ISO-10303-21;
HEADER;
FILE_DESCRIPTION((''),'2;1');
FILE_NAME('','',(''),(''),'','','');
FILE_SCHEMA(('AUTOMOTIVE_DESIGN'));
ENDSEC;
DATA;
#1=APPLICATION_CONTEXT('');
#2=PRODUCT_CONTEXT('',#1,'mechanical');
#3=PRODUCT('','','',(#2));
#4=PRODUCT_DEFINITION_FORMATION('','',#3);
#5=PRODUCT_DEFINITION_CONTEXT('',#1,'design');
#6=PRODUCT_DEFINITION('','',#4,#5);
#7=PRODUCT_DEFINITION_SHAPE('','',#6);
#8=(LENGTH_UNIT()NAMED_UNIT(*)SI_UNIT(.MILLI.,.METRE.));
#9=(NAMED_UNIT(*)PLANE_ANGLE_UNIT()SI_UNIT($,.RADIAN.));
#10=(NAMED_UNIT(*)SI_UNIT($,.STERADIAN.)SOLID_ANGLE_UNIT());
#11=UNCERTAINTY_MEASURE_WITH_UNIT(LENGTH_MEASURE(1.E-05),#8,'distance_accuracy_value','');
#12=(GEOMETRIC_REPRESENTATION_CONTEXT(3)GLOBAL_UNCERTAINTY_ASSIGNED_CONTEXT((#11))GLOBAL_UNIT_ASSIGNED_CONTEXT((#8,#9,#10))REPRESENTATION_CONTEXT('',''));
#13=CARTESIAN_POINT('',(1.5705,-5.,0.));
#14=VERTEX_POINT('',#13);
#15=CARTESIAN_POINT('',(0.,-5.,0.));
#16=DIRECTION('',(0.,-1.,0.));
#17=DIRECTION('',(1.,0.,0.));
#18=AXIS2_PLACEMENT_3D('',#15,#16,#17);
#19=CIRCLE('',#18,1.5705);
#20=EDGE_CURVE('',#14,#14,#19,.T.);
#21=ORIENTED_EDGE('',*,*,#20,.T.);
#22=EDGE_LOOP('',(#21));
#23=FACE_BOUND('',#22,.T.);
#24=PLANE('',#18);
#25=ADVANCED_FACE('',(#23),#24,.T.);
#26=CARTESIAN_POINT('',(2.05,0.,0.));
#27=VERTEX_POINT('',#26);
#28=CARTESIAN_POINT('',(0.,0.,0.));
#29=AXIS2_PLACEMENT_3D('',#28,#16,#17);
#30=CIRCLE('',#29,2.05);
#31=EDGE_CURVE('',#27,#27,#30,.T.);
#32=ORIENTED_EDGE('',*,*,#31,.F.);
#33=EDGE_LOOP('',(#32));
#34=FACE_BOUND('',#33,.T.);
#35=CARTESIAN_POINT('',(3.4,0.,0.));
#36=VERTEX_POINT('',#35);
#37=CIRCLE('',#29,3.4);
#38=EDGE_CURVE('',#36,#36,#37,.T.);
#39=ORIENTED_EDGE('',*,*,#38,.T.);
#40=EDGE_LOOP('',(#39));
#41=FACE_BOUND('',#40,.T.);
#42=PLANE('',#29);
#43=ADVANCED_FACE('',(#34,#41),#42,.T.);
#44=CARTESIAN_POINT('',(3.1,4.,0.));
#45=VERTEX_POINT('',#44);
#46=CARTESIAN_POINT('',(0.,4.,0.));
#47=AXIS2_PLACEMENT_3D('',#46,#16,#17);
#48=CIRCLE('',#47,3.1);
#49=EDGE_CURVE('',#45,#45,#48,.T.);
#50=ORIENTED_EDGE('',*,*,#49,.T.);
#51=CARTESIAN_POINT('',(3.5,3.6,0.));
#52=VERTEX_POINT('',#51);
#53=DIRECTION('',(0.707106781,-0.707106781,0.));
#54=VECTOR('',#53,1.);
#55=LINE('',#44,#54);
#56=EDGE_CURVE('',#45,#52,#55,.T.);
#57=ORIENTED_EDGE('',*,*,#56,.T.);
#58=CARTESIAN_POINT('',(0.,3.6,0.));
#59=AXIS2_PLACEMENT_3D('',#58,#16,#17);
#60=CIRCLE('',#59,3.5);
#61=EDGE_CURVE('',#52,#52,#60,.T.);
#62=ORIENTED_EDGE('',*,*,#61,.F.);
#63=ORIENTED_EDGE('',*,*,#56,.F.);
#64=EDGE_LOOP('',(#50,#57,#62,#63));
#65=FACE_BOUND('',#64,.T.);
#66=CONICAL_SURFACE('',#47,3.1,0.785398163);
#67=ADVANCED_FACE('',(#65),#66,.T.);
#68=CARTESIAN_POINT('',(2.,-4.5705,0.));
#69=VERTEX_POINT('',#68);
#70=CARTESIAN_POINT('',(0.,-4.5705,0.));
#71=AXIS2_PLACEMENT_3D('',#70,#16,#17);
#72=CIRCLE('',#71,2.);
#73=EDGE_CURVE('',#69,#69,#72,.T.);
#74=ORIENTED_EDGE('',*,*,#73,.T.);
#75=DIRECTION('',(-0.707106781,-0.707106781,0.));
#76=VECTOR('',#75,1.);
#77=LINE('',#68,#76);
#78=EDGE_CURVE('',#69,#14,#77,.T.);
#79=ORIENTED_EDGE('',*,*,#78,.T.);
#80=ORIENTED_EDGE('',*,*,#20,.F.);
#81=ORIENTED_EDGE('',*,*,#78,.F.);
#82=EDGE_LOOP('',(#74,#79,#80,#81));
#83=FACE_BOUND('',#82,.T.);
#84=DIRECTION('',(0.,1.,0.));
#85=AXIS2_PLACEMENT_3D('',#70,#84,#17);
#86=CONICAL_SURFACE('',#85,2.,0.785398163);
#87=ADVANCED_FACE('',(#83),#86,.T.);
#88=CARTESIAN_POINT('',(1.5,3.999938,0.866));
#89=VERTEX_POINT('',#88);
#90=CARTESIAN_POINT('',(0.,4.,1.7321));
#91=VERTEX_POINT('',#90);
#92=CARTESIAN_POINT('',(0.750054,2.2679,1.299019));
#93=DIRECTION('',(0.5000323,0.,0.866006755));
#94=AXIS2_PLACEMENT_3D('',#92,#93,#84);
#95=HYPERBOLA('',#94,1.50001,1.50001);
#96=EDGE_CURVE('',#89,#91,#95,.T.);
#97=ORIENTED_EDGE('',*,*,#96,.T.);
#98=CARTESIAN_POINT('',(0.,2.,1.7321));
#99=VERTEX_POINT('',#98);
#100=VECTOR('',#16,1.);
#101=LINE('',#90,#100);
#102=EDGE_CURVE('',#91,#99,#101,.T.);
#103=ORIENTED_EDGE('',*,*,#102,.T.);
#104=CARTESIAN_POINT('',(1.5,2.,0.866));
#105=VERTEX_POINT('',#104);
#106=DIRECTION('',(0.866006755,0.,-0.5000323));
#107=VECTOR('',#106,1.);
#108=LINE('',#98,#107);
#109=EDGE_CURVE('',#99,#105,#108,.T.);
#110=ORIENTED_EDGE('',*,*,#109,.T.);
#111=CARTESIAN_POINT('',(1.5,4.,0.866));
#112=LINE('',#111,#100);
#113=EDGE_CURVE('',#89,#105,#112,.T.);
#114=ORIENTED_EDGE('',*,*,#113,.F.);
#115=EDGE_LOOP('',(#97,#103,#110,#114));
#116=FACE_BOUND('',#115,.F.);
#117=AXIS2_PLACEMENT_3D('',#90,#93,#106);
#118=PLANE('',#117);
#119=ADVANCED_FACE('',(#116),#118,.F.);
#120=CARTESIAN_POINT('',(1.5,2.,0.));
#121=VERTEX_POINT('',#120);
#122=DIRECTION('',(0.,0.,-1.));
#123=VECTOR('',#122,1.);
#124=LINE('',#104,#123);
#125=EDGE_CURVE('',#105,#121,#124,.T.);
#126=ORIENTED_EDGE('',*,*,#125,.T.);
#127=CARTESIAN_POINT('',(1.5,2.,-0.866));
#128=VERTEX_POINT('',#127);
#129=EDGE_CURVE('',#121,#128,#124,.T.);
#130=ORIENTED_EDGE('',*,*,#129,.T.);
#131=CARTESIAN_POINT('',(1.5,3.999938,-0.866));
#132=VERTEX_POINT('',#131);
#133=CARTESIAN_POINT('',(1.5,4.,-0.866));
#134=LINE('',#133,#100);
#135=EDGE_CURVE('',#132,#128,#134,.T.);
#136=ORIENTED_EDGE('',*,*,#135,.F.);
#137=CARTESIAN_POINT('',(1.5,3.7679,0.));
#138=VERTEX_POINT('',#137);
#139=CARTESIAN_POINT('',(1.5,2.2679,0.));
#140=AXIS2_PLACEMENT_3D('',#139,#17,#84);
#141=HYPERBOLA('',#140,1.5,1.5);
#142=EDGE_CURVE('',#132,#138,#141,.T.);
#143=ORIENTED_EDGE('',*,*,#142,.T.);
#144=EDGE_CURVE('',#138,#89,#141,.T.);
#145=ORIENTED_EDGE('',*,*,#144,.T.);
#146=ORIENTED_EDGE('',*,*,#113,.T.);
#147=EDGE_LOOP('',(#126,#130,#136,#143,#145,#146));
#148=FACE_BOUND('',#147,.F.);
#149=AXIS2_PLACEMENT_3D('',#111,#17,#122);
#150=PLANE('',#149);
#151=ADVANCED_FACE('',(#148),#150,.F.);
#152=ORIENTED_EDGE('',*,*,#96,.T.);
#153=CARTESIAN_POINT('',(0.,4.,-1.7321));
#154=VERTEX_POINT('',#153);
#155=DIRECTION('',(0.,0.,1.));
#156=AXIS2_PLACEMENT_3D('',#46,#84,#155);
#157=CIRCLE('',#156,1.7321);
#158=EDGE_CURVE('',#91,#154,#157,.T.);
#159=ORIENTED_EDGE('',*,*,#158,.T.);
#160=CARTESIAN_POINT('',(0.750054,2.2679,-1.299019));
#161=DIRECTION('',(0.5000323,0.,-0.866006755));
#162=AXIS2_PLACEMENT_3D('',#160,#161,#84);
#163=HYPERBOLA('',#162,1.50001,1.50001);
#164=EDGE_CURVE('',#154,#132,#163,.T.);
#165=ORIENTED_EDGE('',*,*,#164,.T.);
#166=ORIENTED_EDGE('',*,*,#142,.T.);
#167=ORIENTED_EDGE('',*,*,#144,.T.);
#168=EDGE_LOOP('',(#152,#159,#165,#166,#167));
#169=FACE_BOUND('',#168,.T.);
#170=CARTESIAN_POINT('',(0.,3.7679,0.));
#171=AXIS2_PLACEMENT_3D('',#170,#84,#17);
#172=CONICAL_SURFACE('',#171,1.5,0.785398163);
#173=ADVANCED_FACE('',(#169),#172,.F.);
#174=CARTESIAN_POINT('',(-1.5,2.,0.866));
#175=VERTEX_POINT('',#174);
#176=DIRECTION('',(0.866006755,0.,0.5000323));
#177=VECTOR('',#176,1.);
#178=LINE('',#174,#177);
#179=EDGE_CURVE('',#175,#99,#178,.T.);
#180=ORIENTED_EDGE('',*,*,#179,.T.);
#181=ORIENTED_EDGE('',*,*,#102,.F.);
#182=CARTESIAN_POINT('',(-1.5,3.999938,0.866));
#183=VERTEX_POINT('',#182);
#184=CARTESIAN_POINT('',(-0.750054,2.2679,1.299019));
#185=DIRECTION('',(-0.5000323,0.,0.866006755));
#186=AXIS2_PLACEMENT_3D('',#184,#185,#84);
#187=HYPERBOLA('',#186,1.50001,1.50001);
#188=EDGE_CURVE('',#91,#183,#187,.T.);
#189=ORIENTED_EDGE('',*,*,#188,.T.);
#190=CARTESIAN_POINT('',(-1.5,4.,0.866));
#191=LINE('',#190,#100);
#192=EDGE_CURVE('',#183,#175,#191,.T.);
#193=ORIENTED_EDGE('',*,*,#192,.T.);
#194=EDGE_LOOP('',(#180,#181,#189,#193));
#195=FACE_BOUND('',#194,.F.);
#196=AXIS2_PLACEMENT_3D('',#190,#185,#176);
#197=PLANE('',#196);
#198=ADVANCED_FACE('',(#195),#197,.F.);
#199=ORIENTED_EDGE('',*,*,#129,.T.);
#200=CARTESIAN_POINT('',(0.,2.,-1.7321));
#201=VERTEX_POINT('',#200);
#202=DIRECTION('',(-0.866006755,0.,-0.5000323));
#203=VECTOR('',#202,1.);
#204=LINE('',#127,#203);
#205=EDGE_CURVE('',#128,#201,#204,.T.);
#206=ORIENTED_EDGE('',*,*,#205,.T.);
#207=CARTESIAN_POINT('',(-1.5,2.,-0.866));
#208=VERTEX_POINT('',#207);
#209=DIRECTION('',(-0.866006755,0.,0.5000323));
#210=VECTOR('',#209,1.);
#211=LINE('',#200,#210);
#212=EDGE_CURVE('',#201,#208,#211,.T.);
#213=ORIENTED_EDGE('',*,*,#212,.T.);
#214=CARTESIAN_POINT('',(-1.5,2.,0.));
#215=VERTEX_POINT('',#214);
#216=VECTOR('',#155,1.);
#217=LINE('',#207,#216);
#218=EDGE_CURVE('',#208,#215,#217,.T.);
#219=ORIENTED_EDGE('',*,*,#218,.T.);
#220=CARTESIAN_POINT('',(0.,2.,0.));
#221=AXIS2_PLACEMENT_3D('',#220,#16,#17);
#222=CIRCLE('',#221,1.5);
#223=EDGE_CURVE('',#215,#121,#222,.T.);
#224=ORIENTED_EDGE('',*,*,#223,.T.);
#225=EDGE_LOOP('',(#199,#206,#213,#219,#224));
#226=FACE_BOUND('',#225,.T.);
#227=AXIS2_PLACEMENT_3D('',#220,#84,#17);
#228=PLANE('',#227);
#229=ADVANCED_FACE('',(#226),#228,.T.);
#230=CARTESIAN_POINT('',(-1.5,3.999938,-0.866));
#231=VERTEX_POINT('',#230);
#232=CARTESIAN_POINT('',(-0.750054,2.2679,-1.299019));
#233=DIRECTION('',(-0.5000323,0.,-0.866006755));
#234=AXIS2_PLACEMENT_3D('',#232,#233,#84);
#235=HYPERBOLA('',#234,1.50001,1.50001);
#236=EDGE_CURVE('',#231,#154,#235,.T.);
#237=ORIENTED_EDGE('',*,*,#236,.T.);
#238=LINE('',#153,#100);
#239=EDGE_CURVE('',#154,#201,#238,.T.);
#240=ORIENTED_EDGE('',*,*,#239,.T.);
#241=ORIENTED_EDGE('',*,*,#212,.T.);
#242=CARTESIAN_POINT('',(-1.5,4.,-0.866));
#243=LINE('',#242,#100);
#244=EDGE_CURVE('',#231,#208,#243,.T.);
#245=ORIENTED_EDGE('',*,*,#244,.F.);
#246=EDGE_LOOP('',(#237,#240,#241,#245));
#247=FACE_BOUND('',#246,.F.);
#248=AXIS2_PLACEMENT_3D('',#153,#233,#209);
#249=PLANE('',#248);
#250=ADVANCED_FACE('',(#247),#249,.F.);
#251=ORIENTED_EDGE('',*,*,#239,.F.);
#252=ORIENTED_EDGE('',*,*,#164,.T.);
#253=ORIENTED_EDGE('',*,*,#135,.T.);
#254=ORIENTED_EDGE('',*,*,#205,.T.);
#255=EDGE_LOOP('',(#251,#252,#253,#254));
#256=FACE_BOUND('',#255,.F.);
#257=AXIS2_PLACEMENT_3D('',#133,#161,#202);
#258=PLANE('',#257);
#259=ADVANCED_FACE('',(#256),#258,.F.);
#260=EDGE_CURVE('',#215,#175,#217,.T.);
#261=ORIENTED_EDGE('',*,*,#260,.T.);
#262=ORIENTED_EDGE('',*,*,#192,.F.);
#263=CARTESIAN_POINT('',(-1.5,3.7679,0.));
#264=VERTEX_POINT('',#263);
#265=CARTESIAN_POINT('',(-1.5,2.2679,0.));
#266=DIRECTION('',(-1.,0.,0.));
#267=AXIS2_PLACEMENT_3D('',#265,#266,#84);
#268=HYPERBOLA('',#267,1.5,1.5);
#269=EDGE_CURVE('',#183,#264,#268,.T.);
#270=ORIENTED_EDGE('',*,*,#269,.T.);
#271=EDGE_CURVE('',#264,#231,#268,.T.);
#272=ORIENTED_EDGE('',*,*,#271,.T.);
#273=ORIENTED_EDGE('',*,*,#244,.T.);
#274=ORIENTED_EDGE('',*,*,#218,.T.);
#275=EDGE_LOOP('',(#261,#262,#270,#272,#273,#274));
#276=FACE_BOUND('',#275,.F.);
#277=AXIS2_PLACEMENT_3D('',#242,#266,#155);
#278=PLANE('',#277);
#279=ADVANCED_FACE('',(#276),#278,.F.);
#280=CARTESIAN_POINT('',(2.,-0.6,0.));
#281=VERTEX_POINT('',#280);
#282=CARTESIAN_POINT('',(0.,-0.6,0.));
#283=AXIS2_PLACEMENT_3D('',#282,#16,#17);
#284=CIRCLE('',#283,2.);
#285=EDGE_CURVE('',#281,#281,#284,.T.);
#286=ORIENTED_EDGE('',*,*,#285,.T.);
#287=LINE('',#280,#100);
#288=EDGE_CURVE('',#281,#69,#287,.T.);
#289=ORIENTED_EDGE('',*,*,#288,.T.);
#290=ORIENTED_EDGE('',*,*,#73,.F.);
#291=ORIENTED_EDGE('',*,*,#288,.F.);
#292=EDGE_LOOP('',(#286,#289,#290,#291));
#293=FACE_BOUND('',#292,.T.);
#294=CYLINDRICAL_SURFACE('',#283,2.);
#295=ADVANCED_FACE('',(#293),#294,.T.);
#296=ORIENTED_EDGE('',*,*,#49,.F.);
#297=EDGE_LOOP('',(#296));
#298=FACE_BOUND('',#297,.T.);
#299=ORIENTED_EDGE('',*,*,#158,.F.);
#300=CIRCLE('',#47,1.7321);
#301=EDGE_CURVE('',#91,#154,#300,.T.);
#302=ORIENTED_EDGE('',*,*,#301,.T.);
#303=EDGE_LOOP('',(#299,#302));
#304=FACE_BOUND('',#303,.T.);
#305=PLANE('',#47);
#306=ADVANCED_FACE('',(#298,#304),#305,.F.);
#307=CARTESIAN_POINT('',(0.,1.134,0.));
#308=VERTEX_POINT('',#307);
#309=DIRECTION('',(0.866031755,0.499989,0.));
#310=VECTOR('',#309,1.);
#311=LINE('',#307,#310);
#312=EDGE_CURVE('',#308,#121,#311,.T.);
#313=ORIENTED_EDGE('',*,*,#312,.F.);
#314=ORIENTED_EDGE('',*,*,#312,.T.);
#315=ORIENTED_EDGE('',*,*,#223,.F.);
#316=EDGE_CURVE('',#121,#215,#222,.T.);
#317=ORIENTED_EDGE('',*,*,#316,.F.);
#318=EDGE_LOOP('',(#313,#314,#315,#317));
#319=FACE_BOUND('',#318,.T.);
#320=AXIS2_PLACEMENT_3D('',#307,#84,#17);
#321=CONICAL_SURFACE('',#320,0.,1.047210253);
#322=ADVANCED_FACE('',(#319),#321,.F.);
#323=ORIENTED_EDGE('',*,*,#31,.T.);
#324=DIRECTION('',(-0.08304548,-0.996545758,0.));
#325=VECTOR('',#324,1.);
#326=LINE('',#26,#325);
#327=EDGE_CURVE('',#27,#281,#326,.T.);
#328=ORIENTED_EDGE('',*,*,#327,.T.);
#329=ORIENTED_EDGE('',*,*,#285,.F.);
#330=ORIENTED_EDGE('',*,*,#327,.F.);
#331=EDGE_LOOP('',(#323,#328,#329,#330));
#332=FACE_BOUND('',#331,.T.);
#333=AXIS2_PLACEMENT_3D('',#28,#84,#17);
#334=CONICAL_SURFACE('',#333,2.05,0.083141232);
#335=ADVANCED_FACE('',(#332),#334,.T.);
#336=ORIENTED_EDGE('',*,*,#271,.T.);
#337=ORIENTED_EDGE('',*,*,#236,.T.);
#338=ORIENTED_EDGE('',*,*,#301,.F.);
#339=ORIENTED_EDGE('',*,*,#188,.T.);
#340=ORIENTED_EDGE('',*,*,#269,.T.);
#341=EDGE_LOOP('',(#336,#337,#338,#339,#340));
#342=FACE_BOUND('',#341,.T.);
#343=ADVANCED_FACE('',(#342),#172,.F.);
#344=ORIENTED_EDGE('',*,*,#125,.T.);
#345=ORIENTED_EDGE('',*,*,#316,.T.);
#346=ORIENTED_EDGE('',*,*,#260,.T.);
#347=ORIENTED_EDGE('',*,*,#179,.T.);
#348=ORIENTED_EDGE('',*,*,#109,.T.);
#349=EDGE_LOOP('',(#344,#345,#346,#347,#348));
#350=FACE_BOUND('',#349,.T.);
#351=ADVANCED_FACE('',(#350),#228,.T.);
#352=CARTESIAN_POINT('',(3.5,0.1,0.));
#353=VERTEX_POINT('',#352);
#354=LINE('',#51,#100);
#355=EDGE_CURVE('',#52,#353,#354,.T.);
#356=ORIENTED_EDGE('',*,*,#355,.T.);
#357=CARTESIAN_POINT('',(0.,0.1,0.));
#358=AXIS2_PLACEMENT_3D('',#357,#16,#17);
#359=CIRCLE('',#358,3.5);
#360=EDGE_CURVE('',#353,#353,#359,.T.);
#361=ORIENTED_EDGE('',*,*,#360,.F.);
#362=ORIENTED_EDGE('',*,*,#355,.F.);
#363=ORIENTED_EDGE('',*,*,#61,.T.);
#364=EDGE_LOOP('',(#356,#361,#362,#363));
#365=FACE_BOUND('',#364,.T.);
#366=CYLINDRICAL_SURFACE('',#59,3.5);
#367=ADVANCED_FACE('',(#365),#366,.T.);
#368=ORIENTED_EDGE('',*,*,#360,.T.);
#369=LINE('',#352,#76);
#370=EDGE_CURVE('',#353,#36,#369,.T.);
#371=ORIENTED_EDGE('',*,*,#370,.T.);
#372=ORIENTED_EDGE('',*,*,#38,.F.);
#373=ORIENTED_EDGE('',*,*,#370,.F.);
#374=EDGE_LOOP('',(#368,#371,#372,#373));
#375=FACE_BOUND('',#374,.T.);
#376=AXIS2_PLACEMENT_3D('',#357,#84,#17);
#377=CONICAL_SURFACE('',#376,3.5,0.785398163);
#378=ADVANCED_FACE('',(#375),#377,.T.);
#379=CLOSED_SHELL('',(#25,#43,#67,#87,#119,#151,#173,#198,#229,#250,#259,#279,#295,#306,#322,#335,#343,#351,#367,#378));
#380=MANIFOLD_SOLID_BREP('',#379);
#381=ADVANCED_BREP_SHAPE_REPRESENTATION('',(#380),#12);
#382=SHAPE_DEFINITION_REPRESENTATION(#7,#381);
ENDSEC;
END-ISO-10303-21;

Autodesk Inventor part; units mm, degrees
sketch "Sketch_1" plane through (0, 0, 0) normal (0, 0, 1) x (1, 0, 0)
  line L0 (0, -5) -> (0, 4)
  line L1 (0, 1.134) -> (1.5, 2)
  line L2 (1.5, 2) -> (1.5, 3.7679)
  line L3 (1.5, 3.7679) -> (1.7321, 4)
  line L4 (1.7321, 4) -> (3.1, 4)
  line L5 (3.1, 4) -> (3.5, 3.6)
  line L6 (3.5, 3.6) -> (3.5, 0.1)
  line L7 (3.5, 0.1) -> (3.4, 0)
  line L8 (3.4, 0) -> (2.05, 0)
  line L9 (2.05, 0) -> (2, -0.6)
  line L10 (2, -0.6) -> (2, -4.5705)
  line L11 (2, -4.5705) -> (1.5705, -5)
  line L12 (1.5705, -5) -> (0, -5)
  line L13 (0, -5) -> (0, 1.134)
revolve "Revolution1" add sketch "Sketch_1" angle 360 about axis through (0, -5, 0) along (0, -1, 0)
thread "Thread1" size "M4x0.7" class "6g" standard "ISO Metric profile" length 2.4705
sketch "Sketch_2" plane through (0, 4, 0) normal (0, 1, 0) x (1, 0, 0)
  line L0 (-1.5, -0.866) -> (0, -1.7321)
  line L1 (0, -1.7321) -> (1.5, -0.866)
  line L2 (1.5, -0.866) -> (1.5, 0.866)
  line L3 (1.5, 0.866) -> (0, 1.7321)
  line L4 (0, 1.7321) -> (-1.5, 0.866)
  line L5 (-1.5, 0.866) -> (-1.5, -0.866)
extrude "Extrusion1" cut sketch "Sketch_2" against normal blind 2
ref_plane "ANBAU_XY" through (0, 0, 0) normal (0, 1, 0) x (1, 0, 0)
ref_plane "ANBAU_YZ" through (0, 0, 0) normal (1, 0, 0) x (0, 0, -1)
ref_plane "ANBAU_ZX" through (0, 0, 0) normal (0, 0, -1) x (0, 1, 0)
ref_plane "Schraube_XY" through (0, 0, 0) normal (0, 1, 0) x (1, 0, 0)
ref_plane "Schraube_YZ" through (0, 0, 0) normal (1, 0, 0) x (0, 0, -1)
ref_plane "Schraube_ZX" through (0, 0, 0) normal (0, 0, -1) x (0, 1, 0)
ref_plane "insert_XY" through (0, 0, 0) normal (0, 1, 0) x (1, 0, 0)
ref_plane "insert_YZ" through (0, 0, 0) normal (1, 0, 0) x (0, 0, -1)
ref_plane "insert_ZX" through (0, 0, 0) normal (0, 0, -1) x (0, 1, 0)
ref_plane "schrauben_punkt_XY" through (0, -5, 0) normal (0, 1, 0) x (1, 0, 0)
ref_plane "schrauben_punkt_YZ" through (0, -5, 0) normal (1, 0, 0) x (0, 0, -1)
ref_plane "schrauben_punkt_ZX" through (0, -5, 0) normal (0, 0, -1) x (0, 1, 0)
properties part number "DIN-912 - M4x5(F)"
